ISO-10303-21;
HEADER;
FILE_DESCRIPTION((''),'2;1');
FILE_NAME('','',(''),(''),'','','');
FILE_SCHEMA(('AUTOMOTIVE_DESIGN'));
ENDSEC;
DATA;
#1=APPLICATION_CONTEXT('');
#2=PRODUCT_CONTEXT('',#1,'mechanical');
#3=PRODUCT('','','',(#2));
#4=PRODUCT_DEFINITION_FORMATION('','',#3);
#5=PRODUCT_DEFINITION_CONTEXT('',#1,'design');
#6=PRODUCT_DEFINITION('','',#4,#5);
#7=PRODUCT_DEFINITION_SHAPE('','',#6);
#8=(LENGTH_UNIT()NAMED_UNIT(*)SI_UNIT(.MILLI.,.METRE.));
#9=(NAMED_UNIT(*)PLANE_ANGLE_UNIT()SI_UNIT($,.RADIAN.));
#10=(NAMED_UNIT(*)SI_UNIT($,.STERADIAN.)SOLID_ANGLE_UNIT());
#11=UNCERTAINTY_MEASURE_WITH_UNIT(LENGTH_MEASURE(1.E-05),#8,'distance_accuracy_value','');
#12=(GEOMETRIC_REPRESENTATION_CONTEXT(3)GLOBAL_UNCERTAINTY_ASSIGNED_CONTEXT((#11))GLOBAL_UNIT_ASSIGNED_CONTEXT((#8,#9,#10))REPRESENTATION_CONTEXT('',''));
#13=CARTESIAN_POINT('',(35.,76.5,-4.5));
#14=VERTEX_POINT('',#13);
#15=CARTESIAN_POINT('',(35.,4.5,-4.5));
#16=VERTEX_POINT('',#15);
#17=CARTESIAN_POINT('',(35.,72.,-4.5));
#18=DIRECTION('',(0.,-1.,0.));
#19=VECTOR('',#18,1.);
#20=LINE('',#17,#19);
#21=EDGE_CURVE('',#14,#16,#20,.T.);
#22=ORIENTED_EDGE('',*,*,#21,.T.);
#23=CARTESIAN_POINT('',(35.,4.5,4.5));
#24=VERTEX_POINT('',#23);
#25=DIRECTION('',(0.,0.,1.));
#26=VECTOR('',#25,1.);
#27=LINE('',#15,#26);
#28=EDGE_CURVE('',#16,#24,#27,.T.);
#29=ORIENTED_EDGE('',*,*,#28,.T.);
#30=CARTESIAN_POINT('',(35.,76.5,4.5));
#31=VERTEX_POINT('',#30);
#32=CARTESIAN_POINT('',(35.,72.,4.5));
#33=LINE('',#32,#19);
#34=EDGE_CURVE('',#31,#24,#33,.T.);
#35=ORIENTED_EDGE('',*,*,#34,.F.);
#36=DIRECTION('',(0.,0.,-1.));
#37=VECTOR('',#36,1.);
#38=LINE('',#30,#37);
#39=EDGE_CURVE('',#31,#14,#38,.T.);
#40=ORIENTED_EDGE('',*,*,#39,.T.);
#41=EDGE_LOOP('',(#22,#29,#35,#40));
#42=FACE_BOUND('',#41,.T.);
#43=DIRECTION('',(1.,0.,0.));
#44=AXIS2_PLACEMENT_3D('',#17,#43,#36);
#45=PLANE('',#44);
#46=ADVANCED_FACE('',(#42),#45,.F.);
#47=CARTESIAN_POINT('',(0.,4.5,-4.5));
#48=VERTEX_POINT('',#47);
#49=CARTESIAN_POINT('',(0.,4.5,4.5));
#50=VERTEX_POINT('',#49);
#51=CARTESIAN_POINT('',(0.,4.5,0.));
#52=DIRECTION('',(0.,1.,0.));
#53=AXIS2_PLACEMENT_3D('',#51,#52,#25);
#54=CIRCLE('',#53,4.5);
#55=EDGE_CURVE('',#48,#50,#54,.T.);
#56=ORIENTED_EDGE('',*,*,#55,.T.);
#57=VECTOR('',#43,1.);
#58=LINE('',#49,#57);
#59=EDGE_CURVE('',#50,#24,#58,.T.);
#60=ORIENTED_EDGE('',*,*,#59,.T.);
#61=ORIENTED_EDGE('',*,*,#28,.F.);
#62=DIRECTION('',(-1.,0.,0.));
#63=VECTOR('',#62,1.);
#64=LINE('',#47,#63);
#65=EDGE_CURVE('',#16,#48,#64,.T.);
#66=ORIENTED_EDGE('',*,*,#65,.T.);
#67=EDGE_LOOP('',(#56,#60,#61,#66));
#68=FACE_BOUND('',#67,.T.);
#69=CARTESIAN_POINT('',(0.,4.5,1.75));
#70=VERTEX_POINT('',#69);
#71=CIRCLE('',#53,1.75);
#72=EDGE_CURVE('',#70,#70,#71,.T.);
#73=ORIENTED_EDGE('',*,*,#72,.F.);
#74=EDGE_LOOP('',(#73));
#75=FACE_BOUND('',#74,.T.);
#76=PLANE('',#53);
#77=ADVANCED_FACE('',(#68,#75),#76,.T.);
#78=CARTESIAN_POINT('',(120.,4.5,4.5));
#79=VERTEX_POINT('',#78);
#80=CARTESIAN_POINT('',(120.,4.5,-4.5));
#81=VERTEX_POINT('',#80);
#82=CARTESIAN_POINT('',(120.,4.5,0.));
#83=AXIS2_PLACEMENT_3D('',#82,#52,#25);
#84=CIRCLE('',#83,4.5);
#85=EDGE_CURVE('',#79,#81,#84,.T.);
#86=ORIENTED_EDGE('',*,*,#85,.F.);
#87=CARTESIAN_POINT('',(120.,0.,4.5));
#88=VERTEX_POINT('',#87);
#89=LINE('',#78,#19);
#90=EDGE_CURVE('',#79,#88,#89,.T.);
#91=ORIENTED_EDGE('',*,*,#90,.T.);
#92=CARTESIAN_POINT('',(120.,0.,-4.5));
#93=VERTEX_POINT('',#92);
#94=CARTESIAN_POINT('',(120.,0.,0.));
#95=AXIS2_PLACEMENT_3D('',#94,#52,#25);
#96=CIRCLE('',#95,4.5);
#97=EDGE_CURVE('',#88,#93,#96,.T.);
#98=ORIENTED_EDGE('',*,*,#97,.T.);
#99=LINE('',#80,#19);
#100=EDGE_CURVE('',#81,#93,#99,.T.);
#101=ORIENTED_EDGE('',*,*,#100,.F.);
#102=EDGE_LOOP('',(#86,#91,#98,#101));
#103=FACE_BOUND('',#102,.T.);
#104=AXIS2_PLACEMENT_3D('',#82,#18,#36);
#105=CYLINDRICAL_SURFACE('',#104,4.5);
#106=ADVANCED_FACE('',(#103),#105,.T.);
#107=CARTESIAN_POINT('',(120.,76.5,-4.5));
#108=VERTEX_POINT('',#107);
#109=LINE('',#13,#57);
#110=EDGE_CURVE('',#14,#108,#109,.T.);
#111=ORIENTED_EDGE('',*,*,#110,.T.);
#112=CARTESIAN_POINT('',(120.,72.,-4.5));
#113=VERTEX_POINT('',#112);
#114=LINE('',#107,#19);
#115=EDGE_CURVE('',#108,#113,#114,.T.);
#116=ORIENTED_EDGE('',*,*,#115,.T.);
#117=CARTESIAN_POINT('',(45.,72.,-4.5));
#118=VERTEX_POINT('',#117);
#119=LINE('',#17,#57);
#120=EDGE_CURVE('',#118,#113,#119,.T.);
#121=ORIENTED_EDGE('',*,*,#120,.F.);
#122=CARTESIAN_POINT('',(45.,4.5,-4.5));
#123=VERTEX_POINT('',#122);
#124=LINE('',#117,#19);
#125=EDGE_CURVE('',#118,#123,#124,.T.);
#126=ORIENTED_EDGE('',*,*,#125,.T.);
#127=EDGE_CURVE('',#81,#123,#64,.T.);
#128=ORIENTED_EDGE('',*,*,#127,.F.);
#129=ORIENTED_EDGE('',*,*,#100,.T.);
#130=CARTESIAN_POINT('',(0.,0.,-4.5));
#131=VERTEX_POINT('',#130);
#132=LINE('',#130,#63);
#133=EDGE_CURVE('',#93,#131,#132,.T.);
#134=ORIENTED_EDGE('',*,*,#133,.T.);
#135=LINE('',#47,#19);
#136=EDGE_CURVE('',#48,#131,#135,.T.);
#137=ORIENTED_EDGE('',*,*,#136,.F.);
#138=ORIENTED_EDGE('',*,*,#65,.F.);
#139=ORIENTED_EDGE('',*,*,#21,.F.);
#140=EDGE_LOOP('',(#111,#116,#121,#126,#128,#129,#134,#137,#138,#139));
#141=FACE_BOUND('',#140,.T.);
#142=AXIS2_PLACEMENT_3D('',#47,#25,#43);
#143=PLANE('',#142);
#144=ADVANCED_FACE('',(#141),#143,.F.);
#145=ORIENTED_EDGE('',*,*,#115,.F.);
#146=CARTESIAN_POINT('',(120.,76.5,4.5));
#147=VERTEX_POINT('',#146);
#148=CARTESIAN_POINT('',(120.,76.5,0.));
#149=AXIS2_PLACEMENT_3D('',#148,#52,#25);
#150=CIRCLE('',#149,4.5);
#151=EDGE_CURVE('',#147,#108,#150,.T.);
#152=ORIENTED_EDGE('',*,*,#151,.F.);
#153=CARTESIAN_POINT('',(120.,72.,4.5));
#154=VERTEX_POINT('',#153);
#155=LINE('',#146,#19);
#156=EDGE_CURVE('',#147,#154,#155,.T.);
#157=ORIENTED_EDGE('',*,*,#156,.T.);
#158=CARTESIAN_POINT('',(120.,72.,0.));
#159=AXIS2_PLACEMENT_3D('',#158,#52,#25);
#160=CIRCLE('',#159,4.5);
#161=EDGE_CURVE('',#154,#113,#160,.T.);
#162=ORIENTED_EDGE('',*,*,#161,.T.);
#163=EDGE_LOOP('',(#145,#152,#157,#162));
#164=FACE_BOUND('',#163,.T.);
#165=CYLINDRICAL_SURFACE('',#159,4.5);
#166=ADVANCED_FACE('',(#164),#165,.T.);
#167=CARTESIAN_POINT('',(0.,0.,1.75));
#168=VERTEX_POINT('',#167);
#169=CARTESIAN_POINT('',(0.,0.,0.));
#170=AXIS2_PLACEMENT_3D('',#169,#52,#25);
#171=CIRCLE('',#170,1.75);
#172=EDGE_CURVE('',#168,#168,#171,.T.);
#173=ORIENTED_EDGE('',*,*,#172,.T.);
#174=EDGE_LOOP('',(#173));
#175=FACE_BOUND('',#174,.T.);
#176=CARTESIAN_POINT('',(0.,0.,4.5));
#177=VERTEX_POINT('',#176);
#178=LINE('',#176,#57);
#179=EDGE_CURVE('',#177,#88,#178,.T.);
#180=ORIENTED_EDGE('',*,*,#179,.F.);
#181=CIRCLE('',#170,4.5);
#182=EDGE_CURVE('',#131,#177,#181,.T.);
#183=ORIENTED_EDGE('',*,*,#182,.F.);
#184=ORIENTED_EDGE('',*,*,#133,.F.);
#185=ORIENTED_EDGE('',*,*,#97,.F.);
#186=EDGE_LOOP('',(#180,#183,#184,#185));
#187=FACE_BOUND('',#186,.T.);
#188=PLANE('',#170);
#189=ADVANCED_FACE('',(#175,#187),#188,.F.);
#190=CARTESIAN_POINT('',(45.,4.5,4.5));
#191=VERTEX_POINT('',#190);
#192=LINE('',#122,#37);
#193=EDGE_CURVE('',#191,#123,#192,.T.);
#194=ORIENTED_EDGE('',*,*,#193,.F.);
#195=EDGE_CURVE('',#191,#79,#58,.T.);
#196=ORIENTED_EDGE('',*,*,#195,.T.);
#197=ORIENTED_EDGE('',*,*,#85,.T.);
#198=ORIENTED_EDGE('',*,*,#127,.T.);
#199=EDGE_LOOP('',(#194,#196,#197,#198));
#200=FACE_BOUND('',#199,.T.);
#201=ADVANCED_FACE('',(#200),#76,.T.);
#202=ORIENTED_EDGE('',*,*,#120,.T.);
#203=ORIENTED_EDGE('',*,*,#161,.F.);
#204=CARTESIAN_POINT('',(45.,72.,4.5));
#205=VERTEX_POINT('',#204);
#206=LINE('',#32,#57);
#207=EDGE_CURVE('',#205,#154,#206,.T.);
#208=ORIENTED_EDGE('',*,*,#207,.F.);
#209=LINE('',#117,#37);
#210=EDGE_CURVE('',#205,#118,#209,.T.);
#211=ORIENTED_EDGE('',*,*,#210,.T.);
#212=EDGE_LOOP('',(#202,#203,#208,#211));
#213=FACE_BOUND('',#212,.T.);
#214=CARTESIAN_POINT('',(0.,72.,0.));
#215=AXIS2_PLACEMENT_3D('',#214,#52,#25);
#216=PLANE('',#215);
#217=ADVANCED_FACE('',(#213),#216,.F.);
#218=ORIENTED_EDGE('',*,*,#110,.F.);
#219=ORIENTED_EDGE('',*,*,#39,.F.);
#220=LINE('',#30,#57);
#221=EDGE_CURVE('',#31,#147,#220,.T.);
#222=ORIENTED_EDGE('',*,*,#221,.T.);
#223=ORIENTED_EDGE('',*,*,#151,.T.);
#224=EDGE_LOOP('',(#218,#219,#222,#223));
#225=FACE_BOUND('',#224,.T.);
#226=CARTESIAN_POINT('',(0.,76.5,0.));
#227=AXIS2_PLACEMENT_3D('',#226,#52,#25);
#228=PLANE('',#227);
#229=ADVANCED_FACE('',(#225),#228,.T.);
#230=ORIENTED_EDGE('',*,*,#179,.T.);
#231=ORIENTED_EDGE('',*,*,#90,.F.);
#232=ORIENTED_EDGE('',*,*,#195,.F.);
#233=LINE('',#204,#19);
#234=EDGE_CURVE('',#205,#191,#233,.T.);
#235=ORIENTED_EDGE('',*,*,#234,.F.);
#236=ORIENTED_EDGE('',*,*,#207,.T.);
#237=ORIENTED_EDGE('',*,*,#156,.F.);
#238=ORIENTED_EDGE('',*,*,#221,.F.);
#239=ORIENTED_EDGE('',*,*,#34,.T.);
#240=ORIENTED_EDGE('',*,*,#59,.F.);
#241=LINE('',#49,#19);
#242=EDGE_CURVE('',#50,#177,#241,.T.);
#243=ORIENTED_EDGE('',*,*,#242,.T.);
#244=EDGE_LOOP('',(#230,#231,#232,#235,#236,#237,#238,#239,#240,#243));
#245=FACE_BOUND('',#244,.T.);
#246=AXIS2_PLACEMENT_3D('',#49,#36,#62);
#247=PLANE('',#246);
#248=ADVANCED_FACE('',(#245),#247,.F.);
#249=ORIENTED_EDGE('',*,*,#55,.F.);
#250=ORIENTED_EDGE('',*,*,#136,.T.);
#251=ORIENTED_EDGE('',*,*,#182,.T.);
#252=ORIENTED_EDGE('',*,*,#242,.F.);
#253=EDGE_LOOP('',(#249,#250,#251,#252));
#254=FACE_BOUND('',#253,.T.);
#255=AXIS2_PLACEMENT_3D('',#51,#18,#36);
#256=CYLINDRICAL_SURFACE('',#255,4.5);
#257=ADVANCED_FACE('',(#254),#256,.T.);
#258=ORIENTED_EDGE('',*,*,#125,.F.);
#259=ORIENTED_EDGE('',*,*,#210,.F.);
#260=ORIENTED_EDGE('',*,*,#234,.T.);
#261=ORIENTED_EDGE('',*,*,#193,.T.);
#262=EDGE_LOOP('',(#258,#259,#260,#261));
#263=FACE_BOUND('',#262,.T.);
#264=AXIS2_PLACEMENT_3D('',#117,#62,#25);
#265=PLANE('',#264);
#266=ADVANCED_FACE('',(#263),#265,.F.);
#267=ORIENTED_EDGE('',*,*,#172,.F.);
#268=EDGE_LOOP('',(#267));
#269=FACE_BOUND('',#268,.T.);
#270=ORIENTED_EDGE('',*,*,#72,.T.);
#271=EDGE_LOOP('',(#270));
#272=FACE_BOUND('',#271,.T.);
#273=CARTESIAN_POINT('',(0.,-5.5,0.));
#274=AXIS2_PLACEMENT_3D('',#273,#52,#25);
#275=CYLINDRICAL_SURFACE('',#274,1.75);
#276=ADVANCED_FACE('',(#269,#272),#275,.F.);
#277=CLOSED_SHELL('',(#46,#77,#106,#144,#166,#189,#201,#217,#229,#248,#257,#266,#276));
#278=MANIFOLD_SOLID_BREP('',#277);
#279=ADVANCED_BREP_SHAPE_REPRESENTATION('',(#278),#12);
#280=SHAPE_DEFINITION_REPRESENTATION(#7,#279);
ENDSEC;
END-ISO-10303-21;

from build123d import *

# Parameters (mm, degrees)
BOSS_EXTRUDE1_DEPTH = 4.5
SKETCH2_R           = 1.75
CUT_EXTRUDE1_DEPTH  = 10
SKETCH3_W           = 10
SKETCH3_H           = 9
BOSS_EXTRUDE2_DEPTH = 67.5
SKETCH4_W           = 85
SKETCH4_H           = 9
BOSS_EXTRUDE3_DEPTH = 4.5
BOSS_EXTRUDE4_START = -4.5
SKETCH5_R           = 4.5
BOSS_EXTRUDE4_DEPTH = 4.5


with BuildPart() as part:
    # Sketch1 → Boss-Extrude1 (new body)
    with BuildSketch(Plane(origin=(0, 0, 0), x_dir=(1, 0, 0), z_dir=(0, 1, 0))):
        with BuildLine():
            Line((0, 4.5), (120, 4.5))
            ThreePointArc((120, 4.5), (124.5, 0), (120, -4.5))
            Line((120, -4.5), (0, -4.5))
            ThreePointArc((0, -4.5), (-4.5, 0), (0, 4.5))
        make_face()
    extrude(amount=BOSS_EXTRUDE1_DEPTH)

    # Sketch2 → Cut-Extrude1 (cut)
    with BuildSketch(Plane(origin=(0, 4.5, 0), x_dir=(1, 0, 0), z_dir=(0, 1, 0))):
        with Locations(Location((0, 0, 0), (0, 0, 270))):
            Circle(SKETCH2_R)
    extrude(amount=-CUT_EXTRUDE1_DEPTH, mode=Mode.SUBTRACT)

    # Sketch3 → Boss-Extrude2 (add)
    with BuildSketch(Plane(origin=(0, 4.5, 0), x_dir=(1, 0, 0), z_dir=(0, 1, 0))):
        with Locations((40, 0)):
            Rectangle(SKETCH3_W, SKETCH3_H)
    extrude(amount=BOSS_EXTRUDE2_DEPTH)

    # Sketch4 → Boss-Extrude3 (add)
    with BuildSketch(Plane(origin=(0, 72, 0), x_dir=(1, 0, 0), z_dir=(0, 1, 0))):
        with Locations((77.5, 0)):
            Rectangle(SKETCH4_W, SKETCH4_H)
    extrude(amount=BOSS_EXTRUDE3_DEPTH)

    # Sketch5 → Boss-Extrude4 (add)
    with BuildSketch(Plane(origin=(0, 76.5, 0), x_dir=(1, 0, 0), z_dir=(0, 1, 0)).offset(BOSS_EXTRUDE4_START)):
        with Locations((120, 0)):
            Circle(SKETCH5_R)
    extrude(amount=BOSS_EXTRUDE4_DEPTH)


solid = part.part
